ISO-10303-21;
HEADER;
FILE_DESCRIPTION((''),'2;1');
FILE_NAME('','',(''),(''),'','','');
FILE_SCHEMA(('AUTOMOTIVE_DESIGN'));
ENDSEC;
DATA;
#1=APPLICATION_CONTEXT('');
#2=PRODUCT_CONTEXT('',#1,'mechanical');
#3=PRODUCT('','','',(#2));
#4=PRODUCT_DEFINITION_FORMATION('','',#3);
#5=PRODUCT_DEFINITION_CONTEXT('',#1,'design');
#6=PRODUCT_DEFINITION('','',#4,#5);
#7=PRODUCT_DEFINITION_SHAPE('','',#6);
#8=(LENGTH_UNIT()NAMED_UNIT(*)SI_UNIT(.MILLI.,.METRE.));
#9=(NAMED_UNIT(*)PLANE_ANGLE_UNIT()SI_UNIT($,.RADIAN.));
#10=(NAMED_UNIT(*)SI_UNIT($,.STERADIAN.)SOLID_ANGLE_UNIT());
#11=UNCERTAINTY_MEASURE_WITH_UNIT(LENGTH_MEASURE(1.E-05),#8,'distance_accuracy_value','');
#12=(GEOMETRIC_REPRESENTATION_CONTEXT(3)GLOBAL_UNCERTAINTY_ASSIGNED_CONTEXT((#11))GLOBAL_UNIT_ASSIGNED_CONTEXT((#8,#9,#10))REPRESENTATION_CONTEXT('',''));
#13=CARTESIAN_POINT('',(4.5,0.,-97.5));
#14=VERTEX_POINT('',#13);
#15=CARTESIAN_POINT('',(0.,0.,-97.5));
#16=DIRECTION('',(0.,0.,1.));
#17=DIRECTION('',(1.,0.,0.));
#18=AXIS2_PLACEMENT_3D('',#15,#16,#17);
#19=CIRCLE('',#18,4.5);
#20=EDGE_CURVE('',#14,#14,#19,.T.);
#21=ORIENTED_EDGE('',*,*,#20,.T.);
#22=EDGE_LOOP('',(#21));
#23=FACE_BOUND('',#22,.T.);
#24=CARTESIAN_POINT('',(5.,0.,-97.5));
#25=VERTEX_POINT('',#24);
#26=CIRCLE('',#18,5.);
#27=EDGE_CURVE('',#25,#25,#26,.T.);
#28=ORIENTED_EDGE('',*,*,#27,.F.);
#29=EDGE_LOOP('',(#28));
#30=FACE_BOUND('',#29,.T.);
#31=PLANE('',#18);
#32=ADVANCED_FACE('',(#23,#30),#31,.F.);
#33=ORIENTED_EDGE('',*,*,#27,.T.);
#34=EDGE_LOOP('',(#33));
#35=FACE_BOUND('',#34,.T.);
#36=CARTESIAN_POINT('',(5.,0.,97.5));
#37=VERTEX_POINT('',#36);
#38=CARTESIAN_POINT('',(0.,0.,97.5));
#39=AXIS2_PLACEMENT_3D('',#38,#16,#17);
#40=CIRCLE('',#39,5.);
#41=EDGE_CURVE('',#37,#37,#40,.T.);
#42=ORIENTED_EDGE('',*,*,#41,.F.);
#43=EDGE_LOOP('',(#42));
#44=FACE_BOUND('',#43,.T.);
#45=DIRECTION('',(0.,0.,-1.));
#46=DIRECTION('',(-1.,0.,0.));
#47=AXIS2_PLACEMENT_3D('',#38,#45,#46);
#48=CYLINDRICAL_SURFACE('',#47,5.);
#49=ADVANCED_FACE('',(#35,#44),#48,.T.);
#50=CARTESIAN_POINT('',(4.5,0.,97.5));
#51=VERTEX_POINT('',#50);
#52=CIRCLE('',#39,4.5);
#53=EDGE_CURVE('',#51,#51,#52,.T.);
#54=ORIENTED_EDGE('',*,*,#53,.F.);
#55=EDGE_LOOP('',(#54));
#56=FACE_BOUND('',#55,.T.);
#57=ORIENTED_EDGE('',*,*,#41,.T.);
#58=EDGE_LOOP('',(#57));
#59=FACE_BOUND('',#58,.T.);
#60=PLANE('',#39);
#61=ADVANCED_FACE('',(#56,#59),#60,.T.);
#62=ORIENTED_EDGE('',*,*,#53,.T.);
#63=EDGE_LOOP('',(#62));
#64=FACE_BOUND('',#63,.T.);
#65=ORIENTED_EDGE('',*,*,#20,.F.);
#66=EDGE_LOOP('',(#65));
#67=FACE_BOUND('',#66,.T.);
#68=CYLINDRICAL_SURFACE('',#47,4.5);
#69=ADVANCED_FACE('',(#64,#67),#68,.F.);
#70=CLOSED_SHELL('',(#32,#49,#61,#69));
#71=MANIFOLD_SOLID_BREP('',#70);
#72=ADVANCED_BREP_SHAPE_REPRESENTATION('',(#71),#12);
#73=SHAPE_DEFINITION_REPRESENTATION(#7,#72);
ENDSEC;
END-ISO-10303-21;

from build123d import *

# Parameters (mm, degrees)
SKETCH_1_R      = 5
SKETCH_1_R_2    = 4.5
EXTRUDE_1_DEPTH = 97.5


with BuildPart() as part:
    # Эскиз1 → Бобышка-Вытянуть1 (new body, symmetric)
    with BuildSketch(Plane.XY):
        Circle(SKETCH_1_R)
        Circle(SKETCH_1_R_2, mode=Mode.SUBTRACT)
    extrude(amount=EXTRUDE_1_DEPTH, both=True)


solid = part.part
